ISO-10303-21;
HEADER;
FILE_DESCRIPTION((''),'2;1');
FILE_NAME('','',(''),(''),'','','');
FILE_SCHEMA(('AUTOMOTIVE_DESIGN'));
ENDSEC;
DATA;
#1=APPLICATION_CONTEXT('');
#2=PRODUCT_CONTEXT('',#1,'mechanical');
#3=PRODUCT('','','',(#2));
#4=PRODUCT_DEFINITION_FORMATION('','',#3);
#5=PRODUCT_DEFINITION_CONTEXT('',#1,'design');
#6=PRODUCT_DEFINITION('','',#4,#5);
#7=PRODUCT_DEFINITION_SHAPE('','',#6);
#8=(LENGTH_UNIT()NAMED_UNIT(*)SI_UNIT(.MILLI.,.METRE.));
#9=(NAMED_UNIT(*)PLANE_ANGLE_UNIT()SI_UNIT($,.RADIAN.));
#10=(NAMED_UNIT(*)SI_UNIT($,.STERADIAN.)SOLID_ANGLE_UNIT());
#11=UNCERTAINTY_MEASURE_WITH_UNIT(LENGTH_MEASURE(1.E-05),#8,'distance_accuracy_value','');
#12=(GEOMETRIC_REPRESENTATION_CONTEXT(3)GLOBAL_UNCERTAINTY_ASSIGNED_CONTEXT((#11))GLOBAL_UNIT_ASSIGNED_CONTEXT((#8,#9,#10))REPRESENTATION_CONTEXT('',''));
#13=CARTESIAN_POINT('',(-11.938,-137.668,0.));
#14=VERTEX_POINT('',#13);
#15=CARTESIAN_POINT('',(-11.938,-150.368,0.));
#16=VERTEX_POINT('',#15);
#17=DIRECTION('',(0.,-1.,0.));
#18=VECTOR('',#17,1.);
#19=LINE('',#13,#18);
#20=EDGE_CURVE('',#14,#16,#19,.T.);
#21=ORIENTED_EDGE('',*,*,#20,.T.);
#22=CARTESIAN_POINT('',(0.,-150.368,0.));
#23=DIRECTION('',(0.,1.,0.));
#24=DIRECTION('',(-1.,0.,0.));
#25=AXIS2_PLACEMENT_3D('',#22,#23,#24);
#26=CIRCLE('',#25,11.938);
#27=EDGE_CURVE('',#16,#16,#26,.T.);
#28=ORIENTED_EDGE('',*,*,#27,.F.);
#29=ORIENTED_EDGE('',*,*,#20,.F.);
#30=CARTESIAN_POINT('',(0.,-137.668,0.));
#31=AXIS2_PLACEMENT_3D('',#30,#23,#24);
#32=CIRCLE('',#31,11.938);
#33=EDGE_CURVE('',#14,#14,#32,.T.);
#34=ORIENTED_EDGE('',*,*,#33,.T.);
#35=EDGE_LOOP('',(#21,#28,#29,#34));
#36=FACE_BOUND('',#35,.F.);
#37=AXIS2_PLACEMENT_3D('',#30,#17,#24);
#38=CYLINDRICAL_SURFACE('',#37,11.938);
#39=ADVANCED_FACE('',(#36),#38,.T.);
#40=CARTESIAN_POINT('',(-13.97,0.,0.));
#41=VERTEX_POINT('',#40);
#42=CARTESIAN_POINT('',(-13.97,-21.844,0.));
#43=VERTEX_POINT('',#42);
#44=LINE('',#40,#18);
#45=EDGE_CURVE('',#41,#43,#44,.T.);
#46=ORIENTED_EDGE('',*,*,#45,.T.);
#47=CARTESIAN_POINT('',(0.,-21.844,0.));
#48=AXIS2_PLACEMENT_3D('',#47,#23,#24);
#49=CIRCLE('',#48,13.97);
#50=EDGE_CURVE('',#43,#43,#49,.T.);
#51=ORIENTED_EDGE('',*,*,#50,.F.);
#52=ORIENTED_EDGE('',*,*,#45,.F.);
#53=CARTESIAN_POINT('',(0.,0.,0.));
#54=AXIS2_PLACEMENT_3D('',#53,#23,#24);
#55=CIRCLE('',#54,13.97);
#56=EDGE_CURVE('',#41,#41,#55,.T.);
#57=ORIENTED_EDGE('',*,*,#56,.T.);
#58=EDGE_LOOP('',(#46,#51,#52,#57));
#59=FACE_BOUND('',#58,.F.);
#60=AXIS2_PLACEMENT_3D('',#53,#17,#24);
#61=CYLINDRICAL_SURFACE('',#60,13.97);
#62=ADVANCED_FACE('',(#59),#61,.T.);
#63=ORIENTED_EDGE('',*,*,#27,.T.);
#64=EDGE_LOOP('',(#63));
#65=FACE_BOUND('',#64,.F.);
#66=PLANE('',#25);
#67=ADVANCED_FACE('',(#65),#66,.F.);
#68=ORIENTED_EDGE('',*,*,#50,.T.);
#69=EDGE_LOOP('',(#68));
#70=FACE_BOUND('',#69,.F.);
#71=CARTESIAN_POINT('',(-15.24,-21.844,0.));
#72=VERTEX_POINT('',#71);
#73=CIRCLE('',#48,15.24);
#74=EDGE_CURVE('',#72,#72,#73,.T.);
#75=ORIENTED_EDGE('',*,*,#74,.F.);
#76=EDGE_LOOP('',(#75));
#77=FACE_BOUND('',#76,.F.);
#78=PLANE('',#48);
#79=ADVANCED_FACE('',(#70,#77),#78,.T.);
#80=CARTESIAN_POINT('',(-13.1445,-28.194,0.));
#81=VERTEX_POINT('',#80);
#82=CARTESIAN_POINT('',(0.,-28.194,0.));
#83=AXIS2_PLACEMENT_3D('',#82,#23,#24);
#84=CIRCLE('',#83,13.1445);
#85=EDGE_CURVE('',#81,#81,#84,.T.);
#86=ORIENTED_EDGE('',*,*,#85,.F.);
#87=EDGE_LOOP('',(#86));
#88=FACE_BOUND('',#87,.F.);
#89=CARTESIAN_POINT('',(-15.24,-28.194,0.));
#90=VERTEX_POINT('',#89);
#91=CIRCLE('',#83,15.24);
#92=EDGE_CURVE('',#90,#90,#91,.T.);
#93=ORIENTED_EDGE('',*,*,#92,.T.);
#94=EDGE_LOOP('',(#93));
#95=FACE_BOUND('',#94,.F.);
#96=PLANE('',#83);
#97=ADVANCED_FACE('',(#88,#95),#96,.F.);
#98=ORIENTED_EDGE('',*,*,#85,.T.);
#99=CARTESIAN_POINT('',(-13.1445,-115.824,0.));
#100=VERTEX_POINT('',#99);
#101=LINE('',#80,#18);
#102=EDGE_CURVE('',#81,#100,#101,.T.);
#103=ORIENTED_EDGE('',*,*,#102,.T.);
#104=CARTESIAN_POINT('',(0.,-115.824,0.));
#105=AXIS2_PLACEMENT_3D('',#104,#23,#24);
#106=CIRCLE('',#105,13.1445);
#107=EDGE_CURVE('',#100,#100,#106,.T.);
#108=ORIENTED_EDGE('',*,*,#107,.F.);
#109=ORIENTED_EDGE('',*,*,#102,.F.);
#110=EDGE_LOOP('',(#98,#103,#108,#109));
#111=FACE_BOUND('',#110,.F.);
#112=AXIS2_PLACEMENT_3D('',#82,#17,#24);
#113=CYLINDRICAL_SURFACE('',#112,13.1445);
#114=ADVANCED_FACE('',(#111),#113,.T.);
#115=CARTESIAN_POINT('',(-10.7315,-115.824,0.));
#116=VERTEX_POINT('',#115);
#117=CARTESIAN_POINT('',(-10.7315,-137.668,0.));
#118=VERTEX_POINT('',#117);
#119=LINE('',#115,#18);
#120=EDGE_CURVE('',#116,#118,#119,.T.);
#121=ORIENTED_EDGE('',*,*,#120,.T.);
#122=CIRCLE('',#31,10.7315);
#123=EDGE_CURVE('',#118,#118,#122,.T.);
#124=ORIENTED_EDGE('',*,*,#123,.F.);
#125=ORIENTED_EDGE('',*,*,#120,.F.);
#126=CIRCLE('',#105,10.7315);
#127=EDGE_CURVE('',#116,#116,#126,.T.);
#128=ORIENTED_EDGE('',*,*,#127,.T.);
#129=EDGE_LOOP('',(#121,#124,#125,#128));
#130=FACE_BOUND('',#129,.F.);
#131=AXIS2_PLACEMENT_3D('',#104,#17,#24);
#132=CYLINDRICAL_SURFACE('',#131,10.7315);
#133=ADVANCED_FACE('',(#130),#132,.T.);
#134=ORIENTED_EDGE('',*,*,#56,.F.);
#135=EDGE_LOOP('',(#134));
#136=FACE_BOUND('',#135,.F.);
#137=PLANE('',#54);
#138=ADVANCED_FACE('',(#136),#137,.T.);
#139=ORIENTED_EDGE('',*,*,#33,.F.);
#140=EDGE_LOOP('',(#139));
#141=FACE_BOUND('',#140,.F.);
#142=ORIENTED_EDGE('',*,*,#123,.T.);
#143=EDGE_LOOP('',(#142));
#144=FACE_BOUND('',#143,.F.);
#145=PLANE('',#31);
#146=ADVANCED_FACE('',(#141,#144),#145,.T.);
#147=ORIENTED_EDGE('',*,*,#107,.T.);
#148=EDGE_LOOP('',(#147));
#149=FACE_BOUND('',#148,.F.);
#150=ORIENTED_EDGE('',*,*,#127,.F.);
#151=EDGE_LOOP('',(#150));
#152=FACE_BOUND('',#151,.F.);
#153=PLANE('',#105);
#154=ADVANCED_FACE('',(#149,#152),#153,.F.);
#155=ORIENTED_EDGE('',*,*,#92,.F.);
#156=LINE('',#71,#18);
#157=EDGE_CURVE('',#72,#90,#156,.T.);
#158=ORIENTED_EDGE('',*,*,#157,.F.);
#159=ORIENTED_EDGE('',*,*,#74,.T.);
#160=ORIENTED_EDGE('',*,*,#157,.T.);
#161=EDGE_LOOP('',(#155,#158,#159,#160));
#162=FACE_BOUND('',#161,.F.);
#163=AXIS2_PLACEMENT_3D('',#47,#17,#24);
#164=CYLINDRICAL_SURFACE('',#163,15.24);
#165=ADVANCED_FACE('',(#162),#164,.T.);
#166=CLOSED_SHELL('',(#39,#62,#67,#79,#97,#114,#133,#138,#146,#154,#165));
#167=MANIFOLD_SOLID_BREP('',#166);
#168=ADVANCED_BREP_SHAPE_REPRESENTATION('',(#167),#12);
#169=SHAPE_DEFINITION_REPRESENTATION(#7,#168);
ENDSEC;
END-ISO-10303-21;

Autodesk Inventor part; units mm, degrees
ref_plane "YZ Plane" through (0, 0, 0) normal (1, 0, 0) x (0, 1, 0)
ref_plane "XZ Plane" through (0, 0, 0) normal (0, 1, 0) x (-1, 0, 0)
ref_plane "XY Plane" through (0, 0, 0) normal (0, 0, 1) x (1, 0, 0)
sketch "Sketch1" plane through (0, 0, 0) normal (0, 0, 1) x (1, 0, 0)
  line L0 (0, 0) -> (-13.97, 0)
  line L1 (-13.97, 0) -> (-13.97, -21.844)
  line L2 (-13.97, -21.844) -> (-15.24, -21.844)
  line L3 (-15.24, -21.844) -> (-15.24, -28.194)
  line L4 (-15.24, -28.194) -> (-13.1445, -28.194)
  line L5 (-13.1445, -28.194) -> (-13.1445, -115.824)
  line L6 (-13.1445, -115.824) -> (-10.7315, -115.824)
  line L7 (-10.7315, -115.824) -> (-10.7315, -137.668)
  line L8 (-10.7315, -137.668) -> (-11.938, -137.668)
  line L9 (-11.938, -137.668) -> (-11.938, -150.368)
  line L10 (-11.938, -150.368) -> (0, -150.368)
  line L11 (0, -150.368) -> (0, 0)
  dimension "d0" = 21.844
  dimension "d1" = 13.97
  dimension "d2" = 6.35
  dimension "d3" = 15.24
  dimension "d4" = 13.1445
  dimension "d5" = 87.63
  dimension "d7" = 10.7315
  dimension "d8" = 21.844
  dimension "d9" = 11.938
  dimension "d10" = 12.7
revolve "Revolution1" add sketch "Sketch1" angle 360 about axis through (0, -150.368, 0) along (0, 1, 0)
equation "\"d0\" = endLength"
equation "\"d1\" = endRadius"
equation "\"d2\" = bandLength"
equation "\"d3\" = bandRadius"
equation "\"d4\" = mainBodyRadius"
equation "\"d5\" = mainBodyLength"
equation "\"d7\" = eyepieceEndRadius"
equation "\"d8\" = endLength"
equation "\"d9\" = eyepieceRadius"
equation "\"d10\" = eyepieceLength"
equation "\"endRadius\" = 13.97"
equation "\"bandRadius\" = 15.24"
equation "\"mainBodyRadius\" = 13.1445"
equation "\"eyepieceEndRadius\" = 10.7315"
equation "\"eyepieceRadius\" = 11.938"
equation "\"endLength\" = 21.844"
equation "\"bandLength\" = 6.35"
equation "\"mainBodyLength\" = 87.63"
equation "\"eyepieceEndLength\" = 13.97"
equation "\"eyepieceLength\" = 12.7"
properties part number "celestronFinder"
